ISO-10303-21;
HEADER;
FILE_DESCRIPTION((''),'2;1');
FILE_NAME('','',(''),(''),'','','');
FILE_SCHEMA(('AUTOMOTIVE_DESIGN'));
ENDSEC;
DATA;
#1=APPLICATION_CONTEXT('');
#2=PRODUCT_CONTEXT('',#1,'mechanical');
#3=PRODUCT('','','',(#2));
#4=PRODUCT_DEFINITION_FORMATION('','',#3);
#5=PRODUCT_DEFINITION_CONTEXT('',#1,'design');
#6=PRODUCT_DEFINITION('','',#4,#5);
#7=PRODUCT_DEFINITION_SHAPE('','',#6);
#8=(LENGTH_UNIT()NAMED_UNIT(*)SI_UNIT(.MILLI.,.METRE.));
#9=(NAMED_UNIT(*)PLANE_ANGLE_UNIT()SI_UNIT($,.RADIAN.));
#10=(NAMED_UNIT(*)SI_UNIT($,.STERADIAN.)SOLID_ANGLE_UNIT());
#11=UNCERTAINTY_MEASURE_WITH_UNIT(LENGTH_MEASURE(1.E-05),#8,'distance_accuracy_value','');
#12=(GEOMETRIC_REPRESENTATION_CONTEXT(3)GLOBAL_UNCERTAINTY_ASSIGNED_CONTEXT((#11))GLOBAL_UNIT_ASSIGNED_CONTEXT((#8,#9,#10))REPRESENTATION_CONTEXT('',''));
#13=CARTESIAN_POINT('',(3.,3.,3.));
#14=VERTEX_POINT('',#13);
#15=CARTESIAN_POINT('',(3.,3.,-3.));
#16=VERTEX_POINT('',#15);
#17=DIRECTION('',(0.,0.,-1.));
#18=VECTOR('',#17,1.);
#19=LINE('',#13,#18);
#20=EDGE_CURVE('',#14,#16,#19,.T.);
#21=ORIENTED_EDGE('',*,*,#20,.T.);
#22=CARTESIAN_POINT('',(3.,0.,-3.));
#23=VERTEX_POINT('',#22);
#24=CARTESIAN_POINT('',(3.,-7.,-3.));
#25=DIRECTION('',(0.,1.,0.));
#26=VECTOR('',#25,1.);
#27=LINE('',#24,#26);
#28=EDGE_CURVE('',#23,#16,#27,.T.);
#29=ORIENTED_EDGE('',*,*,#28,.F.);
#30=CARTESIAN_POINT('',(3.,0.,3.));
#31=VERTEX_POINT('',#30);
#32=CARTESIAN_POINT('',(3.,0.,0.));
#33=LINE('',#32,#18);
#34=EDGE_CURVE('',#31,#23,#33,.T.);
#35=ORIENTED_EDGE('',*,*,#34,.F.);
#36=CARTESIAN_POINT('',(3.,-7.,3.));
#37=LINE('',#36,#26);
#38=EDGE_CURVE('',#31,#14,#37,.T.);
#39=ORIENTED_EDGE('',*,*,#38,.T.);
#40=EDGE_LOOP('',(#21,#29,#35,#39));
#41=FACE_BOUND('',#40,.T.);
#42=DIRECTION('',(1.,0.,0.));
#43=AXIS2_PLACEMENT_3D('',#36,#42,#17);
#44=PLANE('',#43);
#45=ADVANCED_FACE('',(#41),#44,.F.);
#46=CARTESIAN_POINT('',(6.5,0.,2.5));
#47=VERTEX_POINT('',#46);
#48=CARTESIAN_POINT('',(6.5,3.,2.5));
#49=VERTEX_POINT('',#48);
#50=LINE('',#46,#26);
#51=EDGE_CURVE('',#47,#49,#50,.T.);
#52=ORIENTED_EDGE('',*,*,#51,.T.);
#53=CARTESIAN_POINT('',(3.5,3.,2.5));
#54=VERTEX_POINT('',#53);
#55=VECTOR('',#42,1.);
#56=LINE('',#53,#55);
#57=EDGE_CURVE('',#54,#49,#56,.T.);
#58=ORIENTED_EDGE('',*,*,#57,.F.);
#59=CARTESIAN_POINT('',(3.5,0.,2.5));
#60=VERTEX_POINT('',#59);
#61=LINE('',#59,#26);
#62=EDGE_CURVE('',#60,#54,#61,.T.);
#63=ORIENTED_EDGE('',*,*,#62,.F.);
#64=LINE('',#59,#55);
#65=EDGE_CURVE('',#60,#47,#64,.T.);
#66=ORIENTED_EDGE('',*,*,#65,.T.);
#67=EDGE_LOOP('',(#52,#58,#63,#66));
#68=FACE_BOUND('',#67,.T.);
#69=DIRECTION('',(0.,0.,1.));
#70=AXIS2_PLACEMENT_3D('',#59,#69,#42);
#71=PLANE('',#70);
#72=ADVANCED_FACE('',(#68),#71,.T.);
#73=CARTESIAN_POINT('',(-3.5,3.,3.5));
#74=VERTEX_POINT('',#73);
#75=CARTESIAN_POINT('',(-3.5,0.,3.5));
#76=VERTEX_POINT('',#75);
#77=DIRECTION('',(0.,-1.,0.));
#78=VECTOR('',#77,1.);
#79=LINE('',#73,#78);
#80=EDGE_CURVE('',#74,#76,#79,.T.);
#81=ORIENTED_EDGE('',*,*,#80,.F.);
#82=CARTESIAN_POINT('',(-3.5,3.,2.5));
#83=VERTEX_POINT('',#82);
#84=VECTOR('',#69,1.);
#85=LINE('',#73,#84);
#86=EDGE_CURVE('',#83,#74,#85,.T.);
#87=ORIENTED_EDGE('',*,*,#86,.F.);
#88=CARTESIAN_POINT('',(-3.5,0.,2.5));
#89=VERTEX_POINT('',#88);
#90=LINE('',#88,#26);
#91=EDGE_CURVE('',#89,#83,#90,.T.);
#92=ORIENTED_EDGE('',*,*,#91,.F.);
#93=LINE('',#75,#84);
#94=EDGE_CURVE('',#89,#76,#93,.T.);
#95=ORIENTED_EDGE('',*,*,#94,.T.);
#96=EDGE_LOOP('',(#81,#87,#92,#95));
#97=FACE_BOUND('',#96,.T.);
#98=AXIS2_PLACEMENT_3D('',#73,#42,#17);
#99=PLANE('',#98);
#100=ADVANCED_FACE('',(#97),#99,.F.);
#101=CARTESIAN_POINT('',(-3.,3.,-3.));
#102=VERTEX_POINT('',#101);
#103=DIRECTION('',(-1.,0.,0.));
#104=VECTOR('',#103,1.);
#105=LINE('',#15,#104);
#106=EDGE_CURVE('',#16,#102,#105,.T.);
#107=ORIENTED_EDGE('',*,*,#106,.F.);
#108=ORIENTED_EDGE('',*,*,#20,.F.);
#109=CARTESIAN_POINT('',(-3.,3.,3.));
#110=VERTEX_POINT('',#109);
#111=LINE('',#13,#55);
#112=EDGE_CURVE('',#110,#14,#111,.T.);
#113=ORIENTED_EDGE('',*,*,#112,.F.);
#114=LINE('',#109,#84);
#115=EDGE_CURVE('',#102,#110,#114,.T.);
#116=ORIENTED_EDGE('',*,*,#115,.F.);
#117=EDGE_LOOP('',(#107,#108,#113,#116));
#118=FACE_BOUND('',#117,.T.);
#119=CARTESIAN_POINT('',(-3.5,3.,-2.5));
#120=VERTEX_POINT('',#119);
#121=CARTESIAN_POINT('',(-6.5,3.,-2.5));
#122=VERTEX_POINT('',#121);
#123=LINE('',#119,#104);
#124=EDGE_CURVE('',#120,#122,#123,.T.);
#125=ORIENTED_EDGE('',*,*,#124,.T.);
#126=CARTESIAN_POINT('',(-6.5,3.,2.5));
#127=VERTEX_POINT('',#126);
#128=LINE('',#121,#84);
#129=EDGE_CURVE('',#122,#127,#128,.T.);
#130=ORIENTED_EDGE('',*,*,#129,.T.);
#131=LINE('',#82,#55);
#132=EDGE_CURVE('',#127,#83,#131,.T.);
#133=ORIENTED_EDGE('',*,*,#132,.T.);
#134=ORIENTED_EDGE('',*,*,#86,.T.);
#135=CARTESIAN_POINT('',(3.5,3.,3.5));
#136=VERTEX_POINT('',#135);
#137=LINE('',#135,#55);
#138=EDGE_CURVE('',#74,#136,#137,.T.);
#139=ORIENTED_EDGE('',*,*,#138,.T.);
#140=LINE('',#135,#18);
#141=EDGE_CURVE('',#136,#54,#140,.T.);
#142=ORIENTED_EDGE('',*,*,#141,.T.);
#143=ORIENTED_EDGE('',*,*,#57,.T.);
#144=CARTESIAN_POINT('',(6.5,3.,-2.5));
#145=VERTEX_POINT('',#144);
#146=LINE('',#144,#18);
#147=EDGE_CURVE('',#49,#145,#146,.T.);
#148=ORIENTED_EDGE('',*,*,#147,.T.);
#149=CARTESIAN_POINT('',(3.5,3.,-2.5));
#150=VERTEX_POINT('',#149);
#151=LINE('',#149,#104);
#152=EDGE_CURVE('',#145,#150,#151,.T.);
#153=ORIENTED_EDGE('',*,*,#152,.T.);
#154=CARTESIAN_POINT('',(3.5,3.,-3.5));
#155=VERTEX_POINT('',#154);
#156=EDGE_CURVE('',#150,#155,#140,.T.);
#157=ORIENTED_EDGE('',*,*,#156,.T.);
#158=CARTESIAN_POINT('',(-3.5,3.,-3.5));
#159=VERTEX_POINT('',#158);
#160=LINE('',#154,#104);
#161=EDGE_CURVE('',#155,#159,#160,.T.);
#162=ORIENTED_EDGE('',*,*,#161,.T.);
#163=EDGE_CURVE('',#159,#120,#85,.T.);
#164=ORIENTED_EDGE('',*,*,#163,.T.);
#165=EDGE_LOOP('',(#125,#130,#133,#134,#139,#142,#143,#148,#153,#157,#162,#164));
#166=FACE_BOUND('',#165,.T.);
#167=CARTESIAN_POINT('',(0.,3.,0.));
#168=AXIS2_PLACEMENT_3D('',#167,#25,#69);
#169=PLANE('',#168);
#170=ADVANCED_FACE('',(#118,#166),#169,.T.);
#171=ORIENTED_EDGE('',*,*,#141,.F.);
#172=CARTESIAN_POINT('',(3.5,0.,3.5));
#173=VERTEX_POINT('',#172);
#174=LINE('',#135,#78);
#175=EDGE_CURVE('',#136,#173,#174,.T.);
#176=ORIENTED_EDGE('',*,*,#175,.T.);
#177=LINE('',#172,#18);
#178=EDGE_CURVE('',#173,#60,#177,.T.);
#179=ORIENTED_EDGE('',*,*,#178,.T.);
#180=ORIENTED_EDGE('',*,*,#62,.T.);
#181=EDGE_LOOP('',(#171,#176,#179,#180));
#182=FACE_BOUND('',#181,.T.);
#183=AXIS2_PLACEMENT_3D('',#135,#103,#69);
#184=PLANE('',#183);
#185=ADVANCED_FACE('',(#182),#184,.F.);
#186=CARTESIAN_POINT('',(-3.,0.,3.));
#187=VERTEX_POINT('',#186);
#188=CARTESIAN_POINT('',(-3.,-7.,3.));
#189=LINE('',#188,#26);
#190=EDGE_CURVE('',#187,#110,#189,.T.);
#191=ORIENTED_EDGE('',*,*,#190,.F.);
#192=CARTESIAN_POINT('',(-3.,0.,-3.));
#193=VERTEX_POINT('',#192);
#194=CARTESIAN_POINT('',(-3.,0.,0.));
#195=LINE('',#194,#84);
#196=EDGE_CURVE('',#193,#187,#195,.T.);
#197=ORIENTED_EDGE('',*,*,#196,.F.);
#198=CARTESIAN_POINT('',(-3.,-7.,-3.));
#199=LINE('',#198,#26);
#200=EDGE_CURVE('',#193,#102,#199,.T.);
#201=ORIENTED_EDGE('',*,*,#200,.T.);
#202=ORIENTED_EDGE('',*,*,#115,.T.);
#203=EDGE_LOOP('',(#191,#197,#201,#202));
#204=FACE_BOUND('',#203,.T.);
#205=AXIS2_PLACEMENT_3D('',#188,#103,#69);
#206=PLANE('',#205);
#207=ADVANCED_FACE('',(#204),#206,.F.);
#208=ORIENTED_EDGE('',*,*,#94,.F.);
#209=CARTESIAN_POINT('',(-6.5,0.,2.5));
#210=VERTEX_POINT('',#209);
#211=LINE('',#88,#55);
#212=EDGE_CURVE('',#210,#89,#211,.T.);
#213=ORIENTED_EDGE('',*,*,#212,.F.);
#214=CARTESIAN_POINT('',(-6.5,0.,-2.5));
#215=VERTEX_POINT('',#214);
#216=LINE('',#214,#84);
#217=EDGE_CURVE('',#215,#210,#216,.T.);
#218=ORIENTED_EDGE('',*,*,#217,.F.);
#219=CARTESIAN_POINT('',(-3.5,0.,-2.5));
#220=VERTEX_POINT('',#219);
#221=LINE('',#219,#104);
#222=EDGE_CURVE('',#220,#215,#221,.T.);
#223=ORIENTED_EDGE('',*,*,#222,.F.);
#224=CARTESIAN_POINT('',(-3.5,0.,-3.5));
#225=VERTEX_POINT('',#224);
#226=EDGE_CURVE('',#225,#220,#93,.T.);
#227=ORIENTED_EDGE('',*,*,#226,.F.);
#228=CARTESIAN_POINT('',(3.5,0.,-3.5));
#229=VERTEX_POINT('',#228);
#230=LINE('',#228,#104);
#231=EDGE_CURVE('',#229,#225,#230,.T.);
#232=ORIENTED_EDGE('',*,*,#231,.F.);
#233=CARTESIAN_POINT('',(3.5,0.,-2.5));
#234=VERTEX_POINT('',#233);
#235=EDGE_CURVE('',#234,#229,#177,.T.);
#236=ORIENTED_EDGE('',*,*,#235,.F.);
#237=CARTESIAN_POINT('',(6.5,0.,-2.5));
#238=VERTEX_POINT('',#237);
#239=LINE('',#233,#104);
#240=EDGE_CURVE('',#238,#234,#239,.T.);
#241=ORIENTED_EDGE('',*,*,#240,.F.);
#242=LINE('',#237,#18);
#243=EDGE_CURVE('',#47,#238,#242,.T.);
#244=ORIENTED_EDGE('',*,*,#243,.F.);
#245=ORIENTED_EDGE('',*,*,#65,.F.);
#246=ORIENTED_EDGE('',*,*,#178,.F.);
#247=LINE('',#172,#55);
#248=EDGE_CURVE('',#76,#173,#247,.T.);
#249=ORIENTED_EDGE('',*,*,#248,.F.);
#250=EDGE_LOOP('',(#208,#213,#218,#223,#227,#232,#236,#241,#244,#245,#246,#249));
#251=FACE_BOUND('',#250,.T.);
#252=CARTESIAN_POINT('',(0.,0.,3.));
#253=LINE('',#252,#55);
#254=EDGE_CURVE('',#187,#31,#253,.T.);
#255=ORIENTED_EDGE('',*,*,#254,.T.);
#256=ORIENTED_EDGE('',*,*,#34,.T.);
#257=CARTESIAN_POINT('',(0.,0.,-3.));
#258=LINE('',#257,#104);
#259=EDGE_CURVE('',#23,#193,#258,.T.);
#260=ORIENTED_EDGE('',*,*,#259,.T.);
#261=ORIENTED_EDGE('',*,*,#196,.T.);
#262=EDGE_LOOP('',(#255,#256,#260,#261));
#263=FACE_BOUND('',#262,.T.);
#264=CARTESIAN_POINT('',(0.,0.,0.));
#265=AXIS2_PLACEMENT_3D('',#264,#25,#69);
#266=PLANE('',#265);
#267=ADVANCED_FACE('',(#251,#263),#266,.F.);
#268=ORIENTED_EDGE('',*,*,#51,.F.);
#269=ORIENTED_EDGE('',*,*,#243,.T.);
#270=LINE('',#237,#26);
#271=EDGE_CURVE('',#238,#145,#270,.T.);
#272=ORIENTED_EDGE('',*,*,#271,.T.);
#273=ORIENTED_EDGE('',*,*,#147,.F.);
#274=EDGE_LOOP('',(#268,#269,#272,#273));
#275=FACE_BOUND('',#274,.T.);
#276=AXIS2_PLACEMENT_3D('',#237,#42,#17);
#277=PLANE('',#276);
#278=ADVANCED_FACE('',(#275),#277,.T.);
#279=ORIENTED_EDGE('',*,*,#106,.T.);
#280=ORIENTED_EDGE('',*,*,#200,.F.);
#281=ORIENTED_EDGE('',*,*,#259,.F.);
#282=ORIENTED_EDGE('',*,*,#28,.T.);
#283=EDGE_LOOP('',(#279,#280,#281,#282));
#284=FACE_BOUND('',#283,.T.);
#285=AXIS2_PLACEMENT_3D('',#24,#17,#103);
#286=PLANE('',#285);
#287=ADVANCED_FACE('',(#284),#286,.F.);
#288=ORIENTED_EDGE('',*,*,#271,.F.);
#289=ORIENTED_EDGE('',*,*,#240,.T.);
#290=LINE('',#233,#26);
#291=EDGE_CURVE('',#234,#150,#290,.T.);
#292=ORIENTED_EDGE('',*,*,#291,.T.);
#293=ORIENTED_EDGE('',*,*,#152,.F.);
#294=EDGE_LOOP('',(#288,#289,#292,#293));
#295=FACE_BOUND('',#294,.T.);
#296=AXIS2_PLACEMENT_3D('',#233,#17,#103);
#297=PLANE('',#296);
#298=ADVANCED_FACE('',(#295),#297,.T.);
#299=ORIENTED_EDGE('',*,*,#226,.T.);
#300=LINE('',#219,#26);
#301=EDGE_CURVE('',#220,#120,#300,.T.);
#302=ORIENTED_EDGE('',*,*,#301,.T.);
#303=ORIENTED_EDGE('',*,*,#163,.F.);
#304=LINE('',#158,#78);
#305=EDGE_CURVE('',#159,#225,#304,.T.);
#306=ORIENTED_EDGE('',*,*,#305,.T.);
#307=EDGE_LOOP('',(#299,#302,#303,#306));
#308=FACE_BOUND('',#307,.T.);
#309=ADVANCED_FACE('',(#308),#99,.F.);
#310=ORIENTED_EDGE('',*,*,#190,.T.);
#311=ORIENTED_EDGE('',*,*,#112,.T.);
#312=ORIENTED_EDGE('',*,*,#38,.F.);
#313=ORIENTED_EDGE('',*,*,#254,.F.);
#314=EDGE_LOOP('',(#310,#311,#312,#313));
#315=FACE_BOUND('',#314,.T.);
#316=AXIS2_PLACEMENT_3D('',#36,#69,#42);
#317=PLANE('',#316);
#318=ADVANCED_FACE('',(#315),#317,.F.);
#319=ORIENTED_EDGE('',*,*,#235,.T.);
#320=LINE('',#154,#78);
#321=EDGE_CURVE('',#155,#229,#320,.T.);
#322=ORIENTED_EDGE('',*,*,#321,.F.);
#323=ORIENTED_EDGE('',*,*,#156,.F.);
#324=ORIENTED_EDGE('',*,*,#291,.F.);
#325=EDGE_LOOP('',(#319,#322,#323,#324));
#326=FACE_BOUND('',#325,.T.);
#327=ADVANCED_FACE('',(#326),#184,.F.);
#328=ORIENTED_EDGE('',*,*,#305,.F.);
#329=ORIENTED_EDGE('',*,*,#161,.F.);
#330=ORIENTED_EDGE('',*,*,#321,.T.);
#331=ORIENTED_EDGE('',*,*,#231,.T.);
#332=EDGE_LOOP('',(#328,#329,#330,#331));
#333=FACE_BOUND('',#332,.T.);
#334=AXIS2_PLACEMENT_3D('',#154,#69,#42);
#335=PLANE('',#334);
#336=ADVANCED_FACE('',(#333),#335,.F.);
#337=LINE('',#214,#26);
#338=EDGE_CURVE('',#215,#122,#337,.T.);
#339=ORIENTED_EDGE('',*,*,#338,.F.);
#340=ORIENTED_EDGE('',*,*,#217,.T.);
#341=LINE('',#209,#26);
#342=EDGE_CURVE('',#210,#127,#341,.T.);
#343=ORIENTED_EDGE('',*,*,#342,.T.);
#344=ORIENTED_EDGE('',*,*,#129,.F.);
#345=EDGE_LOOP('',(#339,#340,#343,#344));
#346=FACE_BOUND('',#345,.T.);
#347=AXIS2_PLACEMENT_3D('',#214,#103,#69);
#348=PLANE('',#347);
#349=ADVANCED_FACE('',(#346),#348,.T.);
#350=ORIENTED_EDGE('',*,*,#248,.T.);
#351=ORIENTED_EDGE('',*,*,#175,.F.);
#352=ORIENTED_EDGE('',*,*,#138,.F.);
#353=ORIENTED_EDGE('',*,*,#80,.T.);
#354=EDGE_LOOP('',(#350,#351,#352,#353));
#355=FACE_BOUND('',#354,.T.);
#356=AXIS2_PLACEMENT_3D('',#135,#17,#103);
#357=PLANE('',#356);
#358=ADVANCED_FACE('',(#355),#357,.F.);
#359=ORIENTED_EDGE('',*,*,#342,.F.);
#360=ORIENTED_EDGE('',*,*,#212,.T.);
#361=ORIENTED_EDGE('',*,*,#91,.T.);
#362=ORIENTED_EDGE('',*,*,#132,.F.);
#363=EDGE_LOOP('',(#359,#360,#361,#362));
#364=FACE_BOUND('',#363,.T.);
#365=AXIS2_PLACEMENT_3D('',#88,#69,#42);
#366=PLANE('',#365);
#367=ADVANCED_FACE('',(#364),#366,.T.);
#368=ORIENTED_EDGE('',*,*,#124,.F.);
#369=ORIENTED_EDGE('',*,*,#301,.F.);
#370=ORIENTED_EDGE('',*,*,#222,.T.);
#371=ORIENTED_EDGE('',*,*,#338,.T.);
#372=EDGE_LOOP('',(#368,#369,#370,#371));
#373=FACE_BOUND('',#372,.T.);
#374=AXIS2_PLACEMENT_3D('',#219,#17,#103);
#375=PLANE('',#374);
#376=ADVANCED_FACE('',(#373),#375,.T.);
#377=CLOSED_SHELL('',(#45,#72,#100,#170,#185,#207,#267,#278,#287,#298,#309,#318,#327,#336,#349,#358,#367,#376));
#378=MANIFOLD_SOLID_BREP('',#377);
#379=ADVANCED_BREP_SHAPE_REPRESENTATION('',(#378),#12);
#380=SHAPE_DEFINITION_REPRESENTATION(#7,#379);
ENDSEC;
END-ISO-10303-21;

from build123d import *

# Parameters (mm, degrees)
SKETCH1_W           = 7
SKETCH1_H           = 7
BOSS_EXTRUDE1_DEPTH = 3
SKETCH4_W           = 3
SKETCH4_H           = 5
BOSS_EXTRUDE2_DEPTH = 3
SKETCH5_W           = 6
SKETCH5_H           = 6
CUT_EXTRUDE1_DEPTH  = 10


with BuildPart() as part:
    # Sketch1 → Boss-Extrude1 (new body)
    with BuildSketch(Plane(origin=(0, 0, 0), x_dir=(1, 0, 0), z_dir=(0, 1, 0))):
        Rectangle(SKETCH1_W, SKETCH1_H)
    extrude(amount=BOSS_EXTRUDE1_DEPTH)

    # Sketch4 → Boss-Extrude2 (add)
    with BuildSketch(Plane(origin=(0, 3, 0), x_dir=(1, 0, 0), z_dir=(0, 1, 0))):
        with Locations((-5, 0)):
            Rectangle(SKETCH4_W, SKETCH4_H)
        with Locations((5, 0)):
            Rectangle(SKETCH4_W, SKETCH4_H)
    extrude(amount=-BOSS_EXTRUDE2_DEPTH)

    # Sketch5 → Cut-Extrude1 (cut)
    with BuildSketch(Plane(origin=(0, 3, 0), x_dir=(1, 0, 0), z_dir=(0, 1, 0))):
        Rectangle(SKETCH5_W, SKETCH5_H)
    extrude(amount=-CUT_EXTRUDE1_DEPTH, mode=Mode.SUBTRACT)


solid = part.part
